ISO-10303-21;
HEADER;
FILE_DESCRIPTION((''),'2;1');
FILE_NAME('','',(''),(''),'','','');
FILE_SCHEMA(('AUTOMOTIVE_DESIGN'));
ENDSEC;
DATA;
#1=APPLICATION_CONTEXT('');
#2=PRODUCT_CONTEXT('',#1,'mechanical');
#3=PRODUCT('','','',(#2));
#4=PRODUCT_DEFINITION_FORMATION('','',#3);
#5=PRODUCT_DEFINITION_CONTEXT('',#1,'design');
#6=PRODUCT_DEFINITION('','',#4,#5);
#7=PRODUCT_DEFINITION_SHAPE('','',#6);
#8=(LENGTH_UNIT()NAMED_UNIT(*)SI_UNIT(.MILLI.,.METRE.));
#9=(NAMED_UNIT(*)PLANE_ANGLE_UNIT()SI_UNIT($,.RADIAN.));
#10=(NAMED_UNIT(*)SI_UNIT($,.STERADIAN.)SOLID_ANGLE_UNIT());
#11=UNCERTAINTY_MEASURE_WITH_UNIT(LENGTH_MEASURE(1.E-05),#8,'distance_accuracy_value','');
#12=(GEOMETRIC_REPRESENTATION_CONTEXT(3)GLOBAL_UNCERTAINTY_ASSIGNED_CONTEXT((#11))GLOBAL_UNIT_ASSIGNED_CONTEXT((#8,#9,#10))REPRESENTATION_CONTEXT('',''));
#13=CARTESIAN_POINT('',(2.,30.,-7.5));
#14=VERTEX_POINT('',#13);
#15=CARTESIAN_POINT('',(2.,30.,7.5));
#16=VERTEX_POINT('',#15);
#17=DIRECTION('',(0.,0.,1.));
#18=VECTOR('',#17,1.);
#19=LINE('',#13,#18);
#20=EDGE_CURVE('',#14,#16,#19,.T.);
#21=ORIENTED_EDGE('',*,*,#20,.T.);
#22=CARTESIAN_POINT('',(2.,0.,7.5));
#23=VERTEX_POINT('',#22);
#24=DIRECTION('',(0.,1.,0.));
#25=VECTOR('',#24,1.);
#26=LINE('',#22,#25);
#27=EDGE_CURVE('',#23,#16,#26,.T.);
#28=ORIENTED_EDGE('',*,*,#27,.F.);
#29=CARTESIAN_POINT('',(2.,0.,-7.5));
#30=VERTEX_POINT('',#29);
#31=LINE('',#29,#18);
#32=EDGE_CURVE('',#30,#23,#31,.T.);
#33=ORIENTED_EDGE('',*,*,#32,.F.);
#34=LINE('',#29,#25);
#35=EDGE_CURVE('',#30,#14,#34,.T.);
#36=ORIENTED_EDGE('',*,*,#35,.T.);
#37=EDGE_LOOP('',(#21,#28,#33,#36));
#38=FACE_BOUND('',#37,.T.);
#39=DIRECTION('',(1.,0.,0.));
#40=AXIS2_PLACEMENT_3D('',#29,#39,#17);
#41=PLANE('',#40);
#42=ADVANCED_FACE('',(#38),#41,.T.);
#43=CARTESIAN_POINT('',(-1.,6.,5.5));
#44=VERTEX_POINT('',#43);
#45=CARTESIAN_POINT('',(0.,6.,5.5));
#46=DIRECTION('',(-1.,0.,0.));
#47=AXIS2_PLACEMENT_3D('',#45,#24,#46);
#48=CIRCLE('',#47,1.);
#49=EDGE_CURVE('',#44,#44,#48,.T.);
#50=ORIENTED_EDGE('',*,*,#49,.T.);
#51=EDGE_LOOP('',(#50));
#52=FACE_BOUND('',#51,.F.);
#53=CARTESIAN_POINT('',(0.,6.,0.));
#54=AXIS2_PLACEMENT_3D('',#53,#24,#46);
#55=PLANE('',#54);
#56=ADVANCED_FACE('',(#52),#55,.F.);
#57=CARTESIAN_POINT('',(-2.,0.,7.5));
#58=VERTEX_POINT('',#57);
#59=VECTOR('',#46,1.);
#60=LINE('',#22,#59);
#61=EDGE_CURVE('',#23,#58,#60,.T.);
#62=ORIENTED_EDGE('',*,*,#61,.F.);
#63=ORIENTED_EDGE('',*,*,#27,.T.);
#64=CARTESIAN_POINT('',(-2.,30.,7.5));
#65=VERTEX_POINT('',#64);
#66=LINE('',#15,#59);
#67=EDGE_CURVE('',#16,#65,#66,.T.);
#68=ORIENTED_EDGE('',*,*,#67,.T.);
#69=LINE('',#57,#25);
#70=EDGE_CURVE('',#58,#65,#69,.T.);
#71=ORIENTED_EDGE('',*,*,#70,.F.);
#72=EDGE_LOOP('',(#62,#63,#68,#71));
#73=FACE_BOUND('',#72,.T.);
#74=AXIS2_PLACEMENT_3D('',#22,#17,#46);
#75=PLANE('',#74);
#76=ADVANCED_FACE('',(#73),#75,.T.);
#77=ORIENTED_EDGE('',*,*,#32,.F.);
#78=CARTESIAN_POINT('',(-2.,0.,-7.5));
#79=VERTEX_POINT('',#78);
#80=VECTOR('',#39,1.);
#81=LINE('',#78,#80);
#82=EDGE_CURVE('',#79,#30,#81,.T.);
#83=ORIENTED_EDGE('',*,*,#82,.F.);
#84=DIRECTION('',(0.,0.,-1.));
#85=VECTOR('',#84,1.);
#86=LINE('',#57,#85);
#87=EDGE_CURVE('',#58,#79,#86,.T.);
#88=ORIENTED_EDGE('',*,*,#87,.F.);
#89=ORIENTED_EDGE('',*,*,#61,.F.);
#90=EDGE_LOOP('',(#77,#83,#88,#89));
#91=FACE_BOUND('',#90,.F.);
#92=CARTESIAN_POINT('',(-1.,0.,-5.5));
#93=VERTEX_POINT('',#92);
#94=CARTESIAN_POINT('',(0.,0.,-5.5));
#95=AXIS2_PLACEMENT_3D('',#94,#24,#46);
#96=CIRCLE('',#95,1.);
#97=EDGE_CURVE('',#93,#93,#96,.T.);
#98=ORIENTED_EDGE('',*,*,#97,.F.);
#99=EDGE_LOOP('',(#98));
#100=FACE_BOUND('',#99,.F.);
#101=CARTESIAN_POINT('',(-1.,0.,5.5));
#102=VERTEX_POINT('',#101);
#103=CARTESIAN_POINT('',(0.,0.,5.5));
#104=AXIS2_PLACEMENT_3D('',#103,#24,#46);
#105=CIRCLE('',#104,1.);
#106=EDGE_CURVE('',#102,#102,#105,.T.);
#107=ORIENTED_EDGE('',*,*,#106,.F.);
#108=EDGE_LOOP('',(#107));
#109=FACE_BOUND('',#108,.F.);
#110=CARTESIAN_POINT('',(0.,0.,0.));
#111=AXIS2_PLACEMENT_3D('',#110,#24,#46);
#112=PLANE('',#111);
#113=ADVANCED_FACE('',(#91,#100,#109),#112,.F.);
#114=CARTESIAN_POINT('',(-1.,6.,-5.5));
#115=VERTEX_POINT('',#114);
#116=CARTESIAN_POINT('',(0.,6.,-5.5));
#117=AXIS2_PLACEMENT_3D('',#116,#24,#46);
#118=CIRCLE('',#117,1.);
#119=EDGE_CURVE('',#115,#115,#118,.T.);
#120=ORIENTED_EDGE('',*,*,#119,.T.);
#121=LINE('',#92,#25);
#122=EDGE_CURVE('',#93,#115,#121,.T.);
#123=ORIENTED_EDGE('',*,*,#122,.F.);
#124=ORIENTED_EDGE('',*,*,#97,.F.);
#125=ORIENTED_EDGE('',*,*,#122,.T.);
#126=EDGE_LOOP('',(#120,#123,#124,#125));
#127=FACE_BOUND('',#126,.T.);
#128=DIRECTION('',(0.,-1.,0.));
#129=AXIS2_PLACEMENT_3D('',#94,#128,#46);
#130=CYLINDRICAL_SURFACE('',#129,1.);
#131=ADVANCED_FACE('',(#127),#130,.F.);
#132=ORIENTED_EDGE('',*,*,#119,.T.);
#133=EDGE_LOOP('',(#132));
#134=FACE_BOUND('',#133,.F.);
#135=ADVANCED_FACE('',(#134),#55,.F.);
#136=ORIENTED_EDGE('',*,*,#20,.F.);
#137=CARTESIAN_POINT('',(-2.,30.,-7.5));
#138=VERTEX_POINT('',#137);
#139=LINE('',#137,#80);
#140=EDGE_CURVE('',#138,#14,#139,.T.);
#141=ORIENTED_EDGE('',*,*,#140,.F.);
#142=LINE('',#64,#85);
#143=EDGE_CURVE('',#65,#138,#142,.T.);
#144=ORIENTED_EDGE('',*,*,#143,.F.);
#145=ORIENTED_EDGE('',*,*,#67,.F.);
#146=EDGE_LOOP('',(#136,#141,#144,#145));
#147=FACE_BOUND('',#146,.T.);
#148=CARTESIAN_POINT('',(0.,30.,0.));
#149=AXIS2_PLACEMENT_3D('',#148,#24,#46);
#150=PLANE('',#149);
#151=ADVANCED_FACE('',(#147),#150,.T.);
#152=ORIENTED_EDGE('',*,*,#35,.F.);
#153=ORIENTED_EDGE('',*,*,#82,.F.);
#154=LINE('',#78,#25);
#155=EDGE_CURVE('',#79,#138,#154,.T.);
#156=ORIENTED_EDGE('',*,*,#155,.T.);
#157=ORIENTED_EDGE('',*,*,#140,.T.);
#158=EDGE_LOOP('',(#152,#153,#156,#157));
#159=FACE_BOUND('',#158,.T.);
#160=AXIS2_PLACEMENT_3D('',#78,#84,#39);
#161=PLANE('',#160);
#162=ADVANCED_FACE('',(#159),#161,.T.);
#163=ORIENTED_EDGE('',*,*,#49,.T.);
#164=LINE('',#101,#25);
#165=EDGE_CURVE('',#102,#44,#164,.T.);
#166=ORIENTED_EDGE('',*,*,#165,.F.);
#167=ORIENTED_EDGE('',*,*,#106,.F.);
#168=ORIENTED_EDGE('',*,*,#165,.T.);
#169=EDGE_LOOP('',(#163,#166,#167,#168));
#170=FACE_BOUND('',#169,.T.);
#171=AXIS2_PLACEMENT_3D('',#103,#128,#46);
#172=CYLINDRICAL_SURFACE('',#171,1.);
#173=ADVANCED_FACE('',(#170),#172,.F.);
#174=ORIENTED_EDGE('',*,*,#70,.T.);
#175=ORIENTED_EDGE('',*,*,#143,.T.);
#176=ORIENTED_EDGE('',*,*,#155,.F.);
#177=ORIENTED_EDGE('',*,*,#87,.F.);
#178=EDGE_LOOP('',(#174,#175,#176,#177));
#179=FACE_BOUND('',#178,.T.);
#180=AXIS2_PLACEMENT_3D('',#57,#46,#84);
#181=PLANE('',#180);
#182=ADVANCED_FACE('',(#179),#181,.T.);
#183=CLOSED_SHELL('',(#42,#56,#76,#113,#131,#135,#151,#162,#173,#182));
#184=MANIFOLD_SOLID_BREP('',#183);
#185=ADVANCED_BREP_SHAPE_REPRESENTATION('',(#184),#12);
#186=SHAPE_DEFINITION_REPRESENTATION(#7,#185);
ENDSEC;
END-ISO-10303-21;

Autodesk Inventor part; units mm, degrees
ref_plane "YZ Plane" through (0, 0, 0) normal (1, 0, 0) x (0, 1, 0)
ref_plane "XZ Plane" through (0, 0, 0) normal (0, 1, 0) x (-1, 0, 0)
ref_plane "XY Plane" through (0, 0, 0) normal (0, 0, 1) x (1, 0, 0)
sketch "スケッチ1" plane through (0, 0, 0) normal (0, 1, 0) x (-1, 0, 0)
  line L0 (-2, 7.5) -> (2, 7.5)
  line L1 (2, 7.5) -> (2, -7.5)
  line L2 (2, -7.5) -> (-2, -7.5)
  line L3 (-2, -7.5) -> (-2, 7.5)
  line L4 (-2, 7.5) -> (2, -7.5) construction
  line L5 (2, 7.5) -> (-2, -7.5) construction
  circle A0 centre (0, 5.5) radius 1
  circle A1 centre (0, -5.5) radius 1
  line L6 (0, 5.5) -> (0, 7.5) construction
  line L7 (0, -5.5) -> (0, -7.5) construction
  point P0 (0, 0)
  dimension "d0" = 4
  dimension "d1" = 15
  dimension "d2" = 2
  dimension "d3" = 2
extrude "押し出し1" add sketch "スケッチ1" along normal blind 30 contours L0 L1 L2 L3 | A0 | A1
extrude "押し出し2" cut sketch "スケッチ1" along normal blind 6 contours A0 | A1
properties part number "BallSensor_Mount"
